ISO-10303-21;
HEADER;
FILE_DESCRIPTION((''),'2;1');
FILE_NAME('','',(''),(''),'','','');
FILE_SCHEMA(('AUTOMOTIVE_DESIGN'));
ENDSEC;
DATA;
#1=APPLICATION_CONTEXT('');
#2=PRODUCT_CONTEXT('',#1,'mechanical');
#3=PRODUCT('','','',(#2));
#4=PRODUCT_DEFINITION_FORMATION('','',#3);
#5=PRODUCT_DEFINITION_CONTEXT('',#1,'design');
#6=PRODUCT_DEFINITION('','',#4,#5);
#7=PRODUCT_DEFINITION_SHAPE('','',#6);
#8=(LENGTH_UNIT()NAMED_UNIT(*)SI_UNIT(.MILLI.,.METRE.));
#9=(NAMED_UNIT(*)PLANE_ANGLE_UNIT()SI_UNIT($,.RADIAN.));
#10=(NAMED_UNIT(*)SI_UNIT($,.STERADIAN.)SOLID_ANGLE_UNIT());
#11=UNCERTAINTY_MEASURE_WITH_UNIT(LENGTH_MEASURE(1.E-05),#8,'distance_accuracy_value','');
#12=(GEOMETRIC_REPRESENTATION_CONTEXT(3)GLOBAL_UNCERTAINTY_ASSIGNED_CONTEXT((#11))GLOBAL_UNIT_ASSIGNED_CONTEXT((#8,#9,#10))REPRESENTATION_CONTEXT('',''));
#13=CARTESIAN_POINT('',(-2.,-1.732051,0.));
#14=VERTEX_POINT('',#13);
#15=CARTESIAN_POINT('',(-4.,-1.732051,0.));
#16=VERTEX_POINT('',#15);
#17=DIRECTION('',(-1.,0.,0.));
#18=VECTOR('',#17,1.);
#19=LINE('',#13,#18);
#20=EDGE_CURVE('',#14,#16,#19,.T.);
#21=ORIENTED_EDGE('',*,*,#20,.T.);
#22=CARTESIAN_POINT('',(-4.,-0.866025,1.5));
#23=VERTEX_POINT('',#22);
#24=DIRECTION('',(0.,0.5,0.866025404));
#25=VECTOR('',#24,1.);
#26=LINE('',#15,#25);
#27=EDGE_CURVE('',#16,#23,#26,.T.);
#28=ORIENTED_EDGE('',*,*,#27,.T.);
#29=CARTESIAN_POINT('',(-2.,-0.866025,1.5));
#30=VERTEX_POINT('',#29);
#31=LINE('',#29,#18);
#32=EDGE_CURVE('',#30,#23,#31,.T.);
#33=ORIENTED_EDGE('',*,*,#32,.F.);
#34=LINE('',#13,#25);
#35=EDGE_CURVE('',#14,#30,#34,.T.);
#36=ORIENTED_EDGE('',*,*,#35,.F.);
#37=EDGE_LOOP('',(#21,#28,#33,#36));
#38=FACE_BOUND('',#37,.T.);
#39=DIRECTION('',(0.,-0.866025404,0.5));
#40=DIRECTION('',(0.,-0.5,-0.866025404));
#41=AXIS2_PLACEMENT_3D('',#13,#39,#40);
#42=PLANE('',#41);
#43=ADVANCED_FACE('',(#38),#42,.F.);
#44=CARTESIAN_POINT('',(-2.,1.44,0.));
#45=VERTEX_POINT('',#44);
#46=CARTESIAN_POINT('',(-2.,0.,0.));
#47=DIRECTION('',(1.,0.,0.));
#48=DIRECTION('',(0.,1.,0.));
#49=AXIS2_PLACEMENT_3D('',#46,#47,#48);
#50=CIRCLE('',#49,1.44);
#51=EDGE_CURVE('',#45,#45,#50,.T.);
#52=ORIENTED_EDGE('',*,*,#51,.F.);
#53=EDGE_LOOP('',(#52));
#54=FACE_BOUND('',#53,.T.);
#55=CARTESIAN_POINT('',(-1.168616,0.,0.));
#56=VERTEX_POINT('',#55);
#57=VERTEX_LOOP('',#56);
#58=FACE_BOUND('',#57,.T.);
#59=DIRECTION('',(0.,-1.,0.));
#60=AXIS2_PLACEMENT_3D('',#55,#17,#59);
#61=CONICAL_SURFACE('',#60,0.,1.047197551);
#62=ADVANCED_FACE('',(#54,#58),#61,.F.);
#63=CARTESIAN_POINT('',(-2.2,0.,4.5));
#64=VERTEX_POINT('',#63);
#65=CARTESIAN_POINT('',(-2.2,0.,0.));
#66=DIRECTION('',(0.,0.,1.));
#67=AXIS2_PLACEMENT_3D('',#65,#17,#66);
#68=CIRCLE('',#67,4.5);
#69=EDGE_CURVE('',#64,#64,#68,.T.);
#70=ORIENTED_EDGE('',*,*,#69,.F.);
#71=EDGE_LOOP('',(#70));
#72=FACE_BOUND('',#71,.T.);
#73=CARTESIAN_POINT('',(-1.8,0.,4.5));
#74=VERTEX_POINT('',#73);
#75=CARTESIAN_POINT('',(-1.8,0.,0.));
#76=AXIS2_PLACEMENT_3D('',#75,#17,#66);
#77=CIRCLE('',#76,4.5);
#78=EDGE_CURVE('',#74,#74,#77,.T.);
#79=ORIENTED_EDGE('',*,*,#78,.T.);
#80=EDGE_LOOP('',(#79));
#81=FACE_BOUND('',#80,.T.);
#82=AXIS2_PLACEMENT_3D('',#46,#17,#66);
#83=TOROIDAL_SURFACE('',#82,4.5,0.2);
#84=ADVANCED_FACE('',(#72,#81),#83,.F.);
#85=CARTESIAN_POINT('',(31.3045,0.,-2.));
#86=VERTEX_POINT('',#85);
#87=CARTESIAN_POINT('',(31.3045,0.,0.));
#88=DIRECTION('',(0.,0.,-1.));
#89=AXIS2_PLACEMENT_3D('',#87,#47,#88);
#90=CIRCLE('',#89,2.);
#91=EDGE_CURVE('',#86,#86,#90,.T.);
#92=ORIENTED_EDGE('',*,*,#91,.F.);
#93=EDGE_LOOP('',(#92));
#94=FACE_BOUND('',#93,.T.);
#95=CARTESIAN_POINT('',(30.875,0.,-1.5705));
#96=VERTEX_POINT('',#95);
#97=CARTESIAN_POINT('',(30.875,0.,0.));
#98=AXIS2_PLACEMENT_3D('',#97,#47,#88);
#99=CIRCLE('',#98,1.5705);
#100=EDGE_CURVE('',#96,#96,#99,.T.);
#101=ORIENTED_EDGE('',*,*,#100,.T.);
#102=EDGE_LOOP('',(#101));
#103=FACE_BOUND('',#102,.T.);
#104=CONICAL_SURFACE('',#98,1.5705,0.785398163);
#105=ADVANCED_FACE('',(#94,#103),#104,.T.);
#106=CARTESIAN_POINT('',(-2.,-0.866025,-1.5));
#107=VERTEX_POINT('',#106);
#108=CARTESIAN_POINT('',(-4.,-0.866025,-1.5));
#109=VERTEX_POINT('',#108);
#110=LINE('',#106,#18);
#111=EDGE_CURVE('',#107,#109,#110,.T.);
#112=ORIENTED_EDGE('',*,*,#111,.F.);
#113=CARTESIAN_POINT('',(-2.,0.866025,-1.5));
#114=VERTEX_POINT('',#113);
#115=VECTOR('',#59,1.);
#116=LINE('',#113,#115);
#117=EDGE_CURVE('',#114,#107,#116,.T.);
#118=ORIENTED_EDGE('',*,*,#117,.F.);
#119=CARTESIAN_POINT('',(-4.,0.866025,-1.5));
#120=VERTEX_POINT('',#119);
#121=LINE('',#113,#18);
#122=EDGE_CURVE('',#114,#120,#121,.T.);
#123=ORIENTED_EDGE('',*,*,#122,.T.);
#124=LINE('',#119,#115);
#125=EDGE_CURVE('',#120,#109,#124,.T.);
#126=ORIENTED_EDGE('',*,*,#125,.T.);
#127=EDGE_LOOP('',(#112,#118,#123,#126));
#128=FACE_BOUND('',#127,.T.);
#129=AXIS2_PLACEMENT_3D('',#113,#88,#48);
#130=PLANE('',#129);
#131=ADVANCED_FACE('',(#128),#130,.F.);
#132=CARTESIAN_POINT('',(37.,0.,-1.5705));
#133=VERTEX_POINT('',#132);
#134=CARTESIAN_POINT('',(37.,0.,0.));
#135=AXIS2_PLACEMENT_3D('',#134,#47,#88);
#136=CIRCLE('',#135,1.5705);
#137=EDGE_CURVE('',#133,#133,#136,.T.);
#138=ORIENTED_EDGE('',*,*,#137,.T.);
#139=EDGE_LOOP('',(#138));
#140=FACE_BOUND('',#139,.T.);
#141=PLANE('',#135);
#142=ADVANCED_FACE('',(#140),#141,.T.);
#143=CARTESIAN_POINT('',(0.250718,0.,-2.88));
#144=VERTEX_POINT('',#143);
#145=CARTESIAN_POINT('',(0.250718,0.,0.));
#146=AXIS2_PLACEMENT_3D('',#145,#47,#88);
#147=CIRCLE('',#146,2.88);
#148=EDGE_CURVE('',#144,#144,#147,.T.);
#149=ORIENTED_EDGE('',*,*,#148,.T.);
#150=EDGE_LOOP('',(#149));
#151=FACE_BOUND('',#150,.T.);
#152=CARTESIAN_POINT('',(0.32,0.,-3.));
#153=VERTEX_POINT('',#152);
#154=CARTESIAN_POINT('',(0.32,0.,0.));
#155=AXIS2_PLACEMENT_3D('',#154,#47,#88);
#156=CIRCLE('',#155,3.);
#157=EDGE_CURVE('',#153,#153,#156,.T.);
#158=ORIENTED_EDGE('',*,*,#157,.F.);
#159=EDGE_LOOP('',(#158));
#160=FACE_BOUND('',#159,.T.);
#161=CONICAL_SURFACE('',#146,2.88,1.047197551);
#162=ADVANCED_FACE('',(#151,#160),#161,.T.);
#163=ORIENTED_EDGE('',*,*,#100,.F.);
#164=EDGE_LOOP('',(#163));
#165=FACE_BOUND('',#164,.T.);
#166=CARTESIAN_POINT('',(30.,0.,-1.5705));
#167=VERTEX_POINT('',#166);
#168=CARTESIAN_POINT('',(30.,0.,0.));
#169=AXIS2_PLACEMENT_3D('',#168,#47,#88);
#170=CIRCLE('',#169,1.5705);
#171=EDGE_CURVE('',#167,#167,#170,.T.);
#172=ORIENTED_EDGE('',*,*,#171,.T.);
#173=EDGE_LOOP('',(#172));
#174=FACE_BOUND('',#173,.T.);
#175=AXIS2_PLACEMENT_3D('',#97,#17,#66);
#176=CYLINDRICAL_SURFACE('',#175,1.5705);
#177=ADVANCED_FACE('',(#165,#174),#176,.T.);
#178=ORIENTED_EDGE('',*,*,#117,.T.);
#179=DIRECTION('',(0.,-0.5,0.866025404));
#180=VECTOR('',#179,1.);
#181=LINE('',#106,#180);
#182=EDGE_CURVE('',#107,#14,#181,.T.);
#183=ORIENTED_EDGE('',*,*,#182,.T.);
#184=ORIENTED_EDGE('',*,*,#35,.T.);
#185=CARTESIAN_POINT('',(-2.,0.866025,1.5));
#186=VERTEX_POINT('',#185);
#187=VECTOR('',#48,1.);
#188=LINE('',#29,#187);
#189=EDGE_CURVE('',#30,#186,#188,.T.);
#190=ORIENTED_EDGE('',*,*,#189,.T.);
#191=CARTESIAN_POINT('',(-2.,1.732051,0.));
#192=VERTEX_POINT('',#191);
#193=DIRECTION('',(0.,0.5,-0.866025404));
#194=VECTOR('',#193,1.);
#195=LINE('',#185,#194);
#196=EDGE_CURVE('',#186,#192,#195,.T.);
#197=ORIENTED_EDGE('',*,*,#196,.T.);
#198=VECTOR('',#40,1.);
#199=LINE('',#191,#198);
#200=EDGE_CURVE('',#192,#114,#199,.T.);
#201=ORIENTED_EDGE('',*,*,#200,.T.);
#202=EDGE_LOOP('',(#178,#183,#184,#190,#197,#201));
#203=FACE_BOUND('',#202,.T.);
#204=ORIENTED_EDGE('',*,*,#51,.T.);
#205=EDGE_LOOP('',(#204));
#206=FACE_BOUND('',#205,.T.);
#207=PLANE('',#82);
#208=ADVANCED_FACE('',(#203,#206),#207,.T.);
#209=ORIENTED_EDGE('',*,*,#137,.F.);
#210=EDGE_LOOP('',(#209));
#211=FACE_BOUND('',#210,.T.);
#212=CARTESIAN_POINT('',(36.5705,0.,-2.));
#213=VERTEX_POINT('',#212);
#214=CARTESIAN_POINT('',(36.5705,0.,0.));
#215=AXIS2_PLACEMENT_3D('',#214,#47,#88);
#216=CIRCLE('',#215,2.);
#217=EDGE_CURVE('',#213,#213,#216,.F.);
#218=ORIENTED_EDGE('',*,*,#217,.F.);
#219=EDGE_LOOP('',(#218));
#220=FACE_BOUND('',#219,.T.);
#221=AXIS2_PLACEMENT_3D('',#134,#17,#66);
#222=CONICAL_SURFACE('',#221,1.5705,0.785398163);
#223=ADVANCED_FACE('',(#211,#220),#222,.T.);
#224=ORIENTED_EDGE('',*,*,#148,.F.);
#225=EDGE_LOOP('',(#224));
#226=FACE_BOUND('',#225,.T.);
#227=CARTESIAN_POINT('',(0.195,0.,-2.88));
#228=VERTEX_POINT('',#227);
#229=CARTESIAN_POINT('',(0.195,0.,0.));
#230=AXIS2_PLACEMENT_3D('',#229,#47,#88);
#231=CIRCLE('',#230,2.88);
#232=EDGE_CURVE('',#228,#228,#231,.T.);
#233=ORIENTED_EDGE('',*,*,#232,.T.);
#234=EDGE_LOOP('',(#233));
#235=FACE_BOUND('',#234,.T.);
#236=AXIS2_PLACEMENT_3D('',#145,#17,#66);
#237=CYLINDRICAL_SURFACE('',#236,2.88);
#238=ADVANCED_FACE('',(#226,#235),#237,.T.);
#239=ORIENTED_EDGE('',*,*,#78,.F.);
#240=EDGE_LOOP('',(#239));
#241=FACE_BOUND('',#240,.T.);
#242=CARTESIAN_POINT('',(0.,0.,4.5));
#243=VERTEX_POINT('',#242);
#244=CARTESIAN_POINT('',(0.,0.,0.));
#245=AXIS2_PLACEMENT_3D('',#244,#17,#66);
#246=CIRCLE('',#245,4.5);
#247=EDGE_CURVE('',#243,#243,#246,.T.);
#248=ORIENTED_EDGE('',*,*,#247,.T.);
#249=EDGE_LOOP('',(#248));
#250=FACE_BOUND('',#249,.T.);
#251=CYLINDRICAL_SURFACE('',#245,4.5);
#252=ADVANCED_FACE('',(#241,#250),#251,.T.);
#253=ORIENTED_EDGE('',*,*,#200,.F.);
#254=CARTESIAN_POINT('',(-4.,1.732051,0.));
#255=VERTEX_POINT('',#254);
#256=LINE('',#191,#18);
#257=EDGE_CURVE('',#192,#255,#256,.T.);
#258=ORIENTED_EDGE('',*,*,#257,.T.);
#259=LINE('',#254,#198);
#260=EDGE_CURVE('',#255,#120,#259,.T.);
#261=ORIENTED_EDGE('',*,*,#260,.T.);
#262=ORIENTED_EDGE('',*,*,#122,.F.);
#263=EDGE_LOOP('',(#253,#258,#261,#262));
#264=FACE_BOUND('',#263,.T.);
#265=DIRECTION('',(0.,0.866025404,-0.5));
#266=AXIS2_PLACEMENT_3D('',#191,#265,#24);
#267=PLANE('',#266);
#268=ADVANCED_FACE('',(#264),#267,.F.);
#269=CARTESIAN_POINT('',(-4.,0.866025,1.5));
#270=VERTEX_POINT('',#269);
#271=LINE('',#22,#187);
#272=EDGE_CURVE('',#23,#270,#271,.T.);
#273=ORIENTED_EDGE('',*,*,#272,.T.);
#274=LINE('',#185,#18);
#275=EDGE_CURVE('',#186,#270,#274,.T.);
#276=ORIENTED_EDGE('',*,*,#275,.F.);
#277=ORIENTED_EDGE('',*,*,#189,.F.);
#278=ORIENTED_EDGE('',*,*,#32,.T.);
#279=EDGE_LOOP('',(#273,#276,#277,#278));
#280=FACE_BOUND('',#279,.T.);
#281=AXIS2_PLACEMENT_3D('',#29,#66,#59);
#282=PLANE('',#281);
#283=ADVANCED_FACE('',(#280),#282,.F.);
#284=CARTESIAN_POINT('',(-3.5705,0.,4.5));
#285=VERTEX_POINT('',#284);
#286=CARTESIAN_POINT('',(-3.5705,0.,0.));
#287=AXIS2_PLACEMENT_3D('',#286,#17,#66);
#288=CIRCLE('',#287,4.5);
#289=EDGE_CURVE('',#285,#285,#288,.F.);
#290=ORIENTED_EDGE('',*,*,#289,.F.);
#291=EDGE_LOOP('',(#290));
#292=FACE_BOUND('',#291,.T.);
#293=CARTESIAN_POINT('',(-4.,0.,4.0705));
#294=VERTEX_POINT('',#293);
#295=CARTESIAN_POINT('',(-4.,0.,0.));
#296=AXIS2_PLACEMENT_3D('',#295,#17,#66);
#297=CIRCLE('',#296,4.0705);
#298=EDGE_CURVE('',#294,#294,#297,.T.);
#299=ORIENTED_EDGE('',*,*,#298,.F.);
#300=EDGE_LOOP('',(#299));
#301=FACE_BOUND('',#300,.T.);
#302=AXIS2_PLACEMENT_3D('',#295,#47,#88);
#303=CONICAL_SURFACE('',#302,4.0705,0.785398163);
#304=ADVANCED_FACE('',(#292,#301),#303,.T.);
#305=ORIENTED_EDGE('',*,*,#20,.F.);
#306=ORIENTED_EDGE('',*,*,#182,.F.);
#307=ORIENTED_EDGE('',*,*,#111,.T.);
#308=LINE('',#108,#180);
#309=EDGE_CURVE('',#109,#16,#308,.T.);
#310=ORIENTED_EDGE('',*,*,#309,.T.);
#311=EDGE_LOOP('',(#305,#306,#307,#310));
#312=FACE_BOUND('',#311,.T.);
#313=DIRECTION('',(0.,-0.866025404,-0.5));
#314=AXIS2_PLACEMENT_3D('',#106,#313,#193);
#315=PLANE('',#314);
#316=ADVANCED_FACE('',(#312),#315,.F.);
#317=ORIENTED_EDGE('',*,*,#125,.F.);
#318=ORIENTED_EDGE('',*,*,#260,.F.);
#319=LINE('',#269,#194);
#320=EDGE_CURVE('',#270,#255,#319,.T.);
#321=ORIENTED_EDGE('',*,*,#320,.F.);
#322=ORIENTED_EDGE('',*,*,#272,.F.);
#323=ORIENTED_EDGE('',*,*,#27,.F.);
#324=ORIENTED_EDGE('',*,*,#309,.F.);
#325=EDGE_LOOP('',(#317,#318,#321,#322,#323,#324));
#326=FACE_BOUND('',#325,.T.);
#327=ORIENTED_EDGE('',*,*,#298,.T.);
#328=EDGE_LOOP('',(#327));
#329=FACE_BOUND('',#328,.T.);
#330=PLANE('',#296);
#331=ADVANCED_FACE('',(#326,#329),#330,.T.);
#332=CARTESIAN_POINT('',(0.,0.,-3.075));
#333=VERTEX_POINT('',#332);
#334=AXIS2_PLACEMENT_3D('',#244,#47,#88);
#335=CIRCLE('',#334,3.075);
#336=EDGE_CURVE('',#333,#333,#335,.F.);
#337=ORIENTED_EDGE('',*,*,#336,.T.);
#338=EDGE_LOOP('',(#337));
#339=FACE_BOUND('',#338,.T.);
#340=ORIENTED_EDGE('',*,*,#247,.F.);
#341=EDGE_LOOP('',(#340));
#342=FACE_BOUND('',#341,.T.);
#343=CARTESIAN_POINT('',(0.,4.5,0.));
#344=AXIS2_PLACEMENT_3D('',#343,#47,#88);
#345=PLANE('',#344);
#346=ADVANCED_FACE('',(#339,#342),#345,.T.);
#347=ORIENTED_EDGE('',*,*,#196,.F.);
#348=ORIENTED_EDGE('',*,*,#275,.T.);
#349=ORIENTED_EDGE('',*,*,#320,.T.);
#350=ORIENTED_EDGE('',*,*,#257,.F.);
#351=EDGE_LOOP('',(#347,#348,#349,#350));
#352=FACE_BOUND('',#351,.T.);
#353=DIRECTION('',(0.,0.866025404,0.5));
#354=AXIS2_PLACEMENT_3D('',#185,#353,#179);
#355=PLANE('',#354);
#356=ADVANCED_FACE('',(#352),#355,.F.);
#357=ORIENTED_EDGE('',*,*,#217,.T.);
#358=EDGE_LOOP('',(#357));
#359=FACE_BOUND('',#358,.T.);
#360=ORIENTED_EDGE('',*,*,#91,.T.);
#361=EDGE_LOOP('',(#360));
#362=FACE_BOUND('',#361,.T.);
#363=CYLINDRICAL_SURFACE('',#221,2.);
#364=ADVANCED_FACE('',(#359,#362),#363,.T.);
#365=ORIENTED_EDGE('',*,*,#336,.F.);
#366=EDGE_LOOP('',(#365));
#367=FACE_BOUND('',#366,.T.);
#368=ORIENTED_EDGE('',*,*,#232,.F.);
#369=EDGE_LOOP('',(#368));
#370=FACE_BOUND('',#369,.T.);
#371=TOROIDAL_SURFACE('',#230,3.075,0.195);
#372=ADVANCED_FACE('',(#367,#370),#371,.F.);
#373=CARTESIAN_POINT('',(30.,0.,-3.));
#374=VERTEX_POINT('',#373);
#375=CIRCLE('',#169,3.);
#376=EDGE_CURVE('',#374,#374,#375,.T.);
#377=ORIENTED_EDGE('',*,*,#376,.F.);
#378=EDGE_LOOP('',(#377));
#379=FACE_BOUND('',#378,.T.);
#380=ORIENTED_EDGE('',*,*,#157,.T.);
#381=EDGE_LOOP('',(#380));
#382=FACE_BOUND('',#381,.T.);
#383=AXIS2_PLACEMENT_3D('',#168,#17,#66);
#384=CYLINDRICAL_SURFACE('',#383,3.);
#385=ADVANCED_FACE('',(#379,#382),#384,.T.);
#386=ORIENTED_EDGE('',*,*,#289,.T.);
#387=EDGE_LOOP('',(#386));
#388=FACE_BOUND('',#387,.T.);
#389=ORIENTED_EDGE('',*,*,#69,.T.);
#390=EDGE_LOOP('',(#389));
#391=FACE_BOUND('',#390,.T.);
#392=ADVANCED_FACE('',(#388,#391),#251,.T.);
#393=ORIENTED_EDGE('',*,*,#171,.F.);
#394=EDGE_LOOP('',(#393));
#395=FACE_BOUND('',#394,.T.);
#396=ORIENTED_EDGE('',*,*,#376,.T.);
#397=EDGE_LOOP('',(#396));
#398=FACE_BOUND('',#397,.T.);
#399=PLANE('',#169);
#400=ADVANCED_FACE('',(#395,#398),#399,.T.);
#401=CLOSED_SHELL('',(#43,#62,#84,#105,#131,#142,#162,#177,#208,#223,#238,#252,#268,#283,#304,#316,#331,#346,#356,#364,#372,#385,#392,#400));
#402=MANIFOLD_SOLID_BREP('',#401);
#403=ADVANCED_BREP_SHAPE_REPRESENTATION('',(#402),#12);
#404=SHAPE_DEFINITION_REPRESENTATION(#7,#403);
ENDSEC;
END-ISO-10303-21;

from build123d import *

# Parameters (mm, degrees)
SKETCH2_R           = 2.88
BOSS_EXTRUDE1_DEPTH = 0.250717968
SKETCH3_R           = 2.88
BOSS_EXTRUDE2_DEPTH = 0.069282032
BOSS_EXTRUDE2_TAPER = -59.999999992
SKETCH4_R           = 3
BOSS_EXTRUDE3_DEPTH = 29.68
SKETCH5_R           = 1.5705
BOSS_EXTRUDE4_DEPTH = 0.875
SKETCH6_R           = 1.5705
BOSS_EXTRUDE5_DEPTH = 0.4295
BOSS_EXTRUDE5_TAPER = -45
SKETCH7_R           = 2
BOSS_EXTRUDE6_DEPTH = 5.6955
CUT_EXTRUDE1_DEPTH  = 2
CHAMFER1_SIZE       = 0.4295
FILLET1_R           = 0.195


with BuildPart() as part:
    # Sketch1 → Revolve1 (revolve)
    with BuildSketch(Plane(origin=(0, 0, 0), x_dir=(-1, 0, 0), z_dir=(0, 0, -1))):
        with BuildLine():
            Line((0, 4.5), (0, 0))
            Line((0, 0), (4, 0))
            Line((4, 0), (4, 4.5))
            Line((4, 4.5), (2.2, 4.5))
            ThreePointArc((2.2, 4.5), (2, 4.3), (1.8, 4.5))
            Line((1.8, 4.5), (0, 4.5))
        make_face()
    revolve(axis=Axis((0, 0, 0), (-1, 0, 0)))

    # Sketch2 → Boss-Extrude1 (add)
    with BuildSketch(Plane(origin=(0, 0, 0), x_dir=(0, 0, -1), z_dir=(1, 0, 0))):
        Circle(SKETCH2_R)
    extrude(amount=BOSS_EXTRUDE1_DEPTH)

    # Sketch3 → Boss-Extrude2 (add)
    with BuildSketch(Plane(origin=(0.250717968, 0, 0), x_dir=(0, 0, -1), z_dir=(1, 0, 0))):
        Circle(SKETCH3_R)
    extrude(amount=BOSS_EXTRUDE2_DEPTH, taper=BOSS_EXTRUDE2_TAPER)

    # Sketch4 → Boss-Extrude3 (add)
    with BuildSketch(Plane(origin=(0.32, 0, 0), x_dir=(0, 0, -1), z_dir=(1, 0, 0))):
        Circle(SKETCH4_R)
    extrude(amount=BOSS_EXTRUDE3_DEPTH)

    # Sketch5 → Boss-Extrude4 (add)
    with BuildSketch(Plane(origin=(30, 0, 0), x_dir=(0, 0, -1), z_dir=(1, 0, 0))):
        Circle(SKETCH5_R)
    extrude(amount=BOSS_EXTRUDE4_DEPTH)

    # Sketch6 → Boss-Extrude5 (add)
    with BuildSketch(Plane(origin=(30.875, 0, 0), x_dir=(0, 0, -1), z_dir=(1, 0, 0))):
        Circle(SKETCH6_R)
    extrude(amount=BOSS_EXTRUDE5_DEPTH, taper=BOSS_EXTRUDE5_TAPER)

    # Sketch7 → Boss-Extrude6 (add)
    with BuildSketch(Plane(origin=(31.3045, 0, 0), x_dir=(0, 0, -1), z_dir=(1, 0, 0))):
        Circle(SKETCH7_R)
    extrude(amount=BOSS_EXTRUDE6_DEPTH)

    # Sketch8 → Cut-Extrude1 (cut)
    with BuildSketch(Plane.ZY.offset(4)):
        Polygon((1.5, -0.866025404), (1.5, 0.866025404), (0, 1.732050808), (-1.5, 0.866025404), (-1.5, -0.866025404), (0, -1.732050808), align=None)
    extrude(amount=-CUT_EXTRUDE1_DEPTH, mode=Mode.SUBTRACT)

    # Sketch9 → Cut-Revolve1 (revolve, cut)
    with BuildSketch(Plane.XY):
        Polygon((-2, 1.44), (-2, 0), (-1.168615612, 0), align=None)
    revolve(axis=Axis((-2, 0, 0), (1, 0, 0)), mode=Mode.SUBTRACT)

    # Chamfer1
    chamfer1_edges = [part.edges().sort_by_distance(p)[0] for p in [
        (37, 0, 2),
        (-4, -4.5, 0),
    ]]
    chamfer(chamfer1_edges, length=CHAMFER1_SIZE)

    # Fillet1
    fillet1_edges = [part.edges().sort_by_distance(p)[0] for p in [
        (0, 0, 2.88),
    ]]
    fillet(fillet1_edges, radius=FILLET1_R)


solid = part.part
